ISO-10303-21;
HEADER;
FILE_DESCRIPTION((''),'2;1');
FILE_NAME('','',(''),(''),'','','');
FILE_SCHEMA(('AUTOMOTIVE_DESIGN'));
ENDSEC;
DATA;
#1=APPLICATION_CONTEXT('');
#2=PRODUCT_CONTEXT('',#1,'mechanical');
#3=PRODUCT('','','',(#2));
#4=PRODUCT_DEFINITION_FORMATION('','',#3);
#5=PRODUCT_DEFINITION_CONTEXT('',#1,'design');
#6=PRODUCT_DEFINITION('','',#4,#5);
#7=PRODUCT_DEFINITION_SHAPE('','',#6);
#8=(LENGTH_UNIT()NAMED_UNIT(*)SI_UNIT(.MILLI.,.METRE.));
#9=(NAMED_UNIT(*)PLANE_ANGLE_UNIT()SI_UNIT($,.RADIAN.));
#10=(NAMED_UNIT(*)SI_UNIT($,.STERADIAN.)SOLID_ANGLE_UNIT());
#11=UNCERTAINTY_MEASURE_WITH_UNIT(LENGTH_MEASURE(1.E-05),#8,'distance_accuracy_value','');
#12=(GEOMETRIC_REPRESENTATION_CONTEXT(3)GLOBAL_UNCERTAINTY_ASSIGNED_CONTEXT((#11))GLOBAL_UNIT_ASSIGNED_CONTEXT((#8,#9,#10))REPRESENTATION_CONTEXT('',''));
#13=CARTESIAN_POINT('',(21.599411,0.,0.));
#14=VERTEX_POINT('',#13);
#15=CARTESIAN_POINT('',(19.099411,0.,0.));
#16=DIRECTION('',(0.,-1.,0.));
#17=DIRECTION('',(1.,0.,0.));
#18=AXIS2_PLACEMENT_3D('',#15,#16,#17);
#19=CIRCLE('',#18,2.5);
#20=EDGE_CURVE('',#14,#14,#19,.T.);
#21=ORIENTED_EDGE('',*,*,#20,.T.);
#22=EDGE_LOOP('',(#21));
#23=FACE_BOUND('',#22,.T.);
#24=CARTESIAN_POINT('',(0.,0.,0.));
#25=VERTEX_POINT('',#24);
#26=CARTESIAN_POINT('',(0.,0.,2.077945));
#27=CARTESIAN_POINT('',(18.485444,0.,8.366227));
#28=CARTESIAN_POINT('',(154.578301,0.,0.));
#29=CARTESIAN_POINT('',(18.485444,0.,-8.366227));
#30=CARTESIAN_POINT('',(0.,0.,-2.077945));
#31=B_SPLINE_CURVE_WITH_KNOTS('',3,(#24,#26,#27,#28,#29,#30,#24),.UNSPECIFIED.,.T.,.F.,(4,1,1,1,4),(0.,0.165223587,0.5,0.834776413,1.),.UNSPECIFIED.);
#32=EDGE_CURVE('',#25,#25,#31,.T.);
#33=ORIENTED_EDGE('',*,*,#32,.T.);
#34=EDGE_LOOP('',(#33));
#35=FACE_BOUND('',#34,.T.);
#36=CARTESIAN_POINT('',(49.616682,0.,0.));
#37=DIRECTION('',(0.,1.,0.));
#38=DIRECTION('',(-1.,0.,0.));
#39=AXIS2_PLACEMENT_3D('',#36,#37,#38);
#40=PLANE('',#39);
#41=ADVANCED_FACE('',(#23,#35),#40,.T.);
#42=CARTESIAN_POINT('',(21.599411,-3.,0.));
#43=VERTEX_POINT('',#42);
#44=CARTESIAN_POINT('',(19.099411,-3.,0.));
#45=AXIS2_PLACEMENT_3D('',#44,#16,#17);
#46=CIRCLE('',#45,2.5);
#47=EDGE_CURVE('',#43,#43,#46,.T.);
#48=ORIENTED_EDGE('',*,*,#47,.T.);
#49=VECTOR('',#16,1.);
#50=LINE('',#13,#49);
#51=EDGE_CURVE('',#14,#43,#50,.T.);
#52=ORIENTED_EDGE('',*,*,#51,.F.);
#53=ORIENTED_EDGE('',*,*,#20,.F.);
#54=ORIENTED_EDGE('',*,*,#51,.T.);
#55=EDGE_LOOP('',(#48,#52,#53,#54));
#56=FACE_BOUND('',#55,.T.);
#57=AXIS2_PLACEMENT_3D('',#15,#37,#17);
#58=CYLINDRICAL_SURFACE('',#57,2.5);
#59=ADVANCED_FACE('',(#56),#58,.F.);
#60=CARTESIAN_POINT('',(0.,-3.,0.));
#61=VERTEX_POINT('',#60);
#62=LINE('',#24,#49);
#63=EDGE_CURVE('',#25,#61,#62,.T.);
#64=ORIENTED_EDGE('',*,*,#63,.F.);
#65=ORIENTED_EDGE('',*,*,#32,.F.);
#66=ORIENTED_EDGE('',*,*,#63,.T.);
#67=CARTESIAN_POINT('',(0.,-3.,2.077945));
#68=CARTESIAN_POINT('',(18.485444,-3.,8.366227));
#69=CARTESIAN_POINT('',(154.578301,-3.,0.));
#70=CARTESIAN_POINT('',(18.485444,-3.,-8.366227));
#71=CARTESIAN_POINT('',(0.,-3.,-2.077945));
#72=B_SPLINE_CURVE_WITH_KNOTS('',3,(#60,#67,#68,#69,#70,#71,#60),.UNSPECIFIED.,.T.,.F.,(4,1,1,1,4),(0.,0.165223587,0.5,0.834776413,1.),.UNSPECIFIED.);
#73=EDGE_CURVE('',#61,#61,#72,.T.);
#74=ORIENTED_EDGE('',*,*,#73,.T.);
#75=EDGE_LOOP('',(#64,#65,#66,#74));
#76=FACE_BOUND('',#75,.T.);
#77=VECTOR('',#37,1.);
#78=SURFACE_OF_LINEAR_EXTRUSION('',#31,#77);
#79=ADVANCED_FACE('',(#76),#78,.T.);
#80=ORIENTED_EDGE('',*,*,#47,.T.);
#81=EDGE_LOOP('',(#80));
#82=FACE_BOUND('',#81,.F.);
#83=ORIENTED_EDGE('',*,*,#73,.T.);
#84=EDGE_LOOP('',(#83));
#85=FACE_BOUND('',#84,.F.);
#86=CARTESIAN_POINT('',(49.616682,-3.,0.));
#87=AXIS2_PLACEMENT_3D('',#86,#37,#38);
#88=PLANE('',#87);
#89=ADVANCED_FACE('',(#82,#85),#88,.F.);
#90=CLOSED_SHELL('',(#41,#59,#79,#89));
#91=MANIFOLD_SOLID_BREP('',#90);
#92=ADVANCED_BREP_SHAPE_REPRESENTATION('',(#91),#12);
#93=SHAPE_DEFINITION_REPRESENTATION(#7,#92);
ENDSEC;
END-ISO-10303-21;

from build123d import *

# Parameters (mm, degrees)
F0_R     = 2.5
F1_DEPTH = 3


with BuildPart() as f1:
    # F0 (on Front) → F1 (new body)
    with BuildSketch(Plane.XZ):
        with BuildLine():
            add(Edge.make_bspline(
                [(0, 0), (0, 2.0779451115), (18.4854444013, 8.3662274), (154.5783010627, 0), (18.4854444013, -8.3662274), (0, -2.0779451115), (0, 0)],
                knots=[0, 0, 0, 0, 0.165223587, 0.5, 0.834776413, 1, 1, 1, 1], degree=3))
        make_face()
        with Locations((19.0994106233, 0)):
            Circle(F0_R, mode=Mode.SUBTRACT)
    extrude(amount=F1_DEPTH)


solid = f1.part
